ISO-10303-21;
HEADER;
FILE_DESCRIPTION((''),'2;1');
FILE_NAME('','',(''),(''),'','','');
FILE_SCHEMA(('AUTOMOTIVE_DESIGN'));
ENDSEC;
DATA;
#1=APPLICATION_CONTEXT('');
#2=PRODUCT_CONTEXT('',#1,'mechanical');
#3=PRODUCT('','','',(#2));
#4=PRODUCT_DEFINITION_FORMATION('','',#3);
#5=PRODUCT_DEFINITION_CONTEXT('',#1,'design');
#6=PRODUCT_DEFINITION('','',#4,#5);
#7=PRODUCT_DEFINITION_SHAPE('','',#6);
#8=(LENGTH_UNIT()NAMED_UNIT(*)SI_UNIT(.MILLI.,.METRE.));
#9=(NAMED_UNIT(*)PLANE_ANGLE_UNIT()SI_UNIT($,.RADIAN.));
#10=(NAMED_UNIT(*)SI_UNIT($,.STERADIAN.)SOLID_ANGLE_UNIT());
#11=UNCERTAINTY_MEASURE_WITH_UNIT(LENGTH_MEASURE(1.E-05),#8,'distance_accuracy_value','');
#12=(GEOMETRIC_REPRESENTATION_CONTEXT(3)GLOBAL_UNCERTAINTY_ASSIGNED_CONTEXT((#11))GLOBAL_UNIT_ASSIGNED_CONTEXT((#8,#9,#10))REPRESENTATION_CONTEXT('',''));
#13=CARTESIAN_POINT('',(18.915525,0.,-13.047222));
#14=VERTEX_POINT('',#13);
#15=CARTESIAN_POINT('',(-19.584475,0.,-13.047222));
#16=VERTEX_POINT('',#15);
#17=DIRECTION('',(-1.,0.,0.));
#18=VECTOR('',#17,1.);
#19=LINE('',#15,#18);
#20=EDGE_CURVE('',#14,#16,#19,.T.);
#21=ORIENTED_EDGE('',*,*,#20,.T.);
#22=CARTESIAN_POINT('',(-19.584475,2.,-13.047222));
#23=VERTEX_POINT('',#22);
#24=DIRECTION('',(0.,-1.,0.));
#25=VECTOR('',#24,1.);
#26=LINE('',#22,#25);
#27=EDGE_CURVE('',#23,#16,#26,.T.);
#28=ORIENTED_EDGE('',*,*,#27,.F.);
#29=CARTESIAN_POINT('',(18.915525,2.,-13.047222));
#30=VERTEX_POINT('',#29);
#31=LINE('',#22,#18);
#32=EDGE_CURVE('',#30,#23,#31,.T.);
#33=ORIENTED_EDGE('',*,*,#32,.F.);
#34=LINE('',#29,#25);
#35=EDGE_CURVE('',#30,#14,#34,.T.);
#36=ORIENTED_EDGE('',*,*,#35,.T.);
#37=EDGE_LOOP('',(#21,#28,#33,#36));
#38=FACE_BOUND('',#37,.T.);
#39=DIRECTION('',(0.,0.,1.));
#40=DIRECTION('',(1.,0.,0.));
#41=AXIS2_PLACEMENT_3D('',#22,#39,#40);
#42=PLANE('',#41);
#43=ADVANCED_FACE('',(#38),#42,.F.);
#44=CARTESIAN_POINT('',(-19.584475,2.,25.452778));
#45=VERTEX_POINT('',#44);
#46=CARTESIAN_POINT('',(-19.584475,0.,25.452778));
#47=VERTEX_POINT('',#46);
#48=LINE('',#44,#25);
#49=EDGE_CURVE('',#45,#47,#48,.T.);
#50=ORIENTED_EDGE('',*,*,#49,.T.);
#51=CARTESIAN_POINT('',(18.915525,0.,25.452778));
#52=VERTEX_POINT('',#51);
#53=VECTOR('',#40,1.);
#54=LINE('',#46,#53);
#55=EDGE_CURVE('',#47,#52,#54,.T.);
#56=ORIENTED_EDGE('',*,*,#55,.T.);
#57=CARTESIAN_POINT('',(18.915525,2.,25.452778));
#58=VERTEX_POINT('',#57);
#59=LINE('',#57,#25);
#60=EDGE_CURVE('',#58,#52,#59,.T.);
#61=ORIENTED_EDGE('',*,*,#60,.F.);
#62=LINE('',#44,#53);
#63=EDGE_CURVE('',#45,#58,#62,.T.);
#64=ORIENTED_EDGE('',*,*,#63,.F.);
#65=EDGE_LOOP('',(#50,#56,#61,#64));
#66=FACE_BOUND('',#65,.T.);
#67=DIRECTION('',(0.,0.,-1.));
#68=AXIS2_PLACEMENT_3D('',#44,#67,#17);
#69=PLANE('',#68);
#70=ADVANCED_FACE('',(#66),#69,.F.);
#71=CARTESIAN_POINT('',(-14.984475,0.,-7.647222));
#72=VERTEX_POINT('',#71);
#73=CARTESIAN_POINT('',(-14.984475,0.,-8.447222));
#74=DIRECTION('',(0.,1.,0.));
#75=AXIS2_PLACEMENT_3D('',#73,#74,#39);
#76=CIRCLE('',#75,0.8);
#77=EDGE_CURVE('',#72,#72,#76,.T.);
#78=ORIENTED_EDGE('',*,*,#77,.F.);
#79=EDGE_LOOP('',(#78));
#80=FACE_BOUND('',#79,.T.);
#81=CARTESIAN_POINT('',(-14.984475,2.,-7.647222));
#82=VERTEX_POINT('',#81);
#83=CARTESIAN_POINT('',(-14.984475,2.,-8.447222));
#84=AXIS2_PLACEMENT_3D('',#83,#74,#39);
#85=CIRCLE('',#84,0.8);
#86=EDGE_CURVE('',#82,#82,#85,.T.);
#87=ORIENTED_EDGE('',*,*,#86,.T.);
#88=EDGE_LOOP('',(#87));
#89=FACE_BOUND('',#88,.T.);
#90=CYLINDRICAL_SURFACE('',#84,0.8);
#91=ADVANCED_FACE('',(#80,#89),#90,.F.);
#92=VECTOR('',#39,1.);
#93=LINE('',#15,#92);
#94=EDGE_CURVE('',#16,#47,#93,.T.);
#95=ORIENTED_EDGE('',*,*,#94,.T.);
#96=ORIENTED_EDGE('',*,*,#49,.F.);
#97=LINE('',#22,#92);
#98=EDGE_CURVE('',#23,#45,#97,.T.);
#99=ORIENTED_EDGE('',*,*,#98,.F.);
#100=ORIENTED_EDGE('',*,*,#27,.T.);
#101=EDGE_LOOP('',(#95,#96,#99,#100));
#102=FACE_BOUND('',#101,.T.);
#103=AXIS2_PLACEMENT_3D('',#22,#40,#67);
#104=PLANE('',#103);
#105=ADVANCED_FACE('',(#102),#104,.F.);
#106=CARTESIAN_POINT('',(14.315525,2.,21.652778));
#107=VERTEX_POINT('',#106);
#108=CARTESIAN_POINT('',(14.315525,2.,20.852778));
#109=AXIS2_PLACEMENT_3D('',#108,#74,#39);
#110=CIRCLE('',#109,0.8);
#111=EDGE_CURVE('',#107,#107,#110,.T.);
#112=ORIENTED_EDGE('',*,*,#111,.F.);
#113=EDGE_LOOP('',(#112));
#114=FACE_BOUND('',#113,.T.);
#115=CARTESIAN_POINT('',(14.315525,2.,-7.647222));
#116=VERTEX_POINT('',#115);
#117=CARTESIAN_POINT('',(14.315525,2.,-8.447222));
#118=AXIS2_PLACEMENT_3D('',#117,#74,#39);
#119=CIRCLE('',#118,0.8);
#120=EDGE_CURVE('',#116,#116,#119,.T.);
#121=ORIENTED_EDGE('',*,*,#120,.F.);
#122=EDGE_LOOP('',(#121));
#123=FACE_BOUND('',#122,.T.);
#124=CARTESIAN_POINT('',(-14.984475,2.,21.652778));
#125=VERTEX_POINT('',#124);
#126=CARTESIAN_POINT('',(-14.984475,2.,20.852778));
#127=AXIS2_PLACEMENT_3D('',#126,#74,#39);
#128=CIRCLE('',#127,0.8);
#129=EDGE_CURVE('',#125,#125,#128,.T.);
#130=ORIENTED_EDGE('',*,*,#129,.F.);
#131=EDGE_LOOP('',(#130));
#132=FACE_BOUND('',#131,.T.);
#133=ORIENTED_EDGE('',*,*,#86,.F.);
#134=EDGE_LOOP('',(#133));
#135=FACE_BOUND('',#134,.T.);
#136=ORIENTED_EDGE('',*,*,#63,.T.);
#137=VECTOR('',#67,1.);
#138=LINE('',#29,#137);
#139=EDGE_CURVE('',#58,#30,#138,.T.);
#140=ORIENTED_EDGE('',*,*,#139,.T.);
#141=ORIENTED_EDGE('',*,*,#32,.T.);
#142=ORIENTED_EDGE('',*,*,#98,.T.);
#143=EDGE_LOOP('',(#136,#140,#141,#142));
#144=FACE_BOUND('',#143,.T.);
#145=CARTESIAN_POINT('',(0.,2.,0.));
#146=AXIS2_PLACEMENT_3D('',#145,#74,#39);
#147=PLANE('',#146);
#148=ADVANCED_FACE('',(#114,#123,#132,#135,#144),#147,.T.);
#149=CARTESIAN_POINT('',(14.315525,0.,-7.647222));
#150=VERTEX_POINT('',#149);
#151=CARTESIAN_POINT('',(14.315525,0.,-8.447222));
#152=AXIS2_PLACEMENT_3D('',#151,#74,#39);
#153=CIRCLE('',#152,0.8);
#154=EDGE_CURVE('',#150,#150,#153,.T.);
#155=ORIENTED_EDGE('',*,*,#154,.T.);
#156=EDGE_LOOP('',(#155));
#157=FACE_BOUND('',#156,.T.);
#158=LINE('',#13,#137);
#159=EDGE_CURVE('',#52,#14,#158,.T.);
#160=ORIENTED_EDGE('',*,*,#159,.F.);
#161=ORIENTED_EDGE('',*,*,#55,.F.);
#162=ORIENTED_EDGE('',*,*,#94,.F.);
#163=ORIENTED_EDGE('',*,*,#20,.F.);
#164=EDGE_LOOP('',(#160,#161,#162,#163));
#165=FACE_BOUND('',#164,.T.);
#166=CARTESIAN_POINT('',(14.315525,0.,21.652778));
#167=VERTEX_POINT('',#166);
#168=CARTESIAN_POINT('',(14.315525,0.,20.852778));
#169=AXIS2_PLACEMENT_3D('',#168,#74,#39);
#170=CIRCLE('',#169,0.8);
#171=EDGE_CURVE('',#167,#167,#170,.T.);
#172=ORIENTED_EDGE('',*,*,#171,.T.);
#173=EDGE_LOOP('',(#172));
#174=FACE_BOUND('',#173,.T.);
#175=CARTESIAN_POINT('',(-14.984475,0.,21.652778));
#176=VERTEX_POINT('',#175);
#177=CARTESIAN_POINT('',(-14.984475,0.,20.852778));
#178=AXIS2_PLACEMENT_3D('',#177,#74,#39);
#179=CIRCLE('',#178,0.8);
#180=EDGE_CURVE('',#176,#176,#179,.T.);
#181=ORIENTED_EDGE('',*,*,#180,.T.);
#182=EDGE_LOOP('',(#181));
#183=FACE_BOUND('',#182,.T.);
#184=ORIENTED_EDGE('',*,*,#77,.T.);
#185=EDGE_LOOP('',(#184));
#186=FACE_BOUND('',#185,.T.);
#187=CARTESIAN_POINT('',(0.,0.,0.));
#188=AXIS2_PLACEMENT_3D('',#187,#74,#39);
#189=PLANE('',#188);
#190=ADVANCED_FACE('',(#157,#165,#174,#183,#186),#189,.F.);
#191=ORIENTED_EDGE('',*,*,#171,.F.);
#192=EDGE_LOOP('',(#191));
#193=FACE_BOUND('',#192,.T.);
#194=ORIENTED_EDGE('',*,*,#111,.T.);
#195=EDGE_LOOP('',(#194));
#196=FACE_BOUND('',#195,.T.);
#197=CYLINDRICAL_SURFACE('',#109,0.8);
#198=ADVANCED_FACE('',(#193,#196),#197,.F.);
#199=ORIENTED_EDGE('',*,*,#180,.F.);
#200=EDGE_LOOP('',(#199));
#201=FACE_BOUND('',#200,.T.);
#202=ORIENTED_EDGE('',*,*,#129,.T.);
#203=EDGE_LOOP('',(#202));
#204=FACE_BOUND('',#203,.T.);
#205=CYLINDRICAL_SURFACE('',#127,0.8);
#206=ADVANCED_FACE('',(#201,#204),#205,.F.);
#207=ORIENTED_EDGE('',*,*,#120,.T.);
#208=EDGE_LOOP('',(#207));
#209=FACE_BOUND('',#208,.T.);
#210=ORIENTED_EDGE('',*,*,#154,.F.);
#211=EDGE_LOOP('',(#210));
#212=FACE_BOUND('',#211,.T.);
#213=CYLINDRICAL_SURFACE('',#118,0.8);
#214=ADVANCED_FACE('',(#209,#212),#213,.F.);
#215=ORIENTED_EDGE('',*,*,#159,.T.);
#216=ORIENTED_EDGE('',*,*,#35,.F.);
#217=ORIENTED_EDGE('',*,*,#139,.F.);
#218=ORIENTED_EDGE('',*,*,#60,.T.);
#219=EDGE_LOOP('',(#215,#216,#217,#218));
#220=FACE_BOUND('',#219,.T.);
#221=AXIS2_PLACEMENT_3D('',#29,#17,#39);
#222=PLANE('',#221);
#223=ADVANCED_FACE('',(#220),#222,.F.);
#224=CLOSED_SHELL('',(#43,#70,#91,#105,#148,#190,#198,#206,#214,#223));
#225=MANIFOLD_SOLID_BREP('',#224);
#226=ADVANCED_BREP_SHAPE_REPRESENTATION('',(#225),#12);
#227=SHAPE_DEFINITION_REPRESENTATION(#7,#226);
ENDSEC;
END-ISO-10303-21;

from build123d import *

# Parameters (mm, degrees)
SKETCH1_W             = 38.5
SKETCH1_H             = 38.5
BOSS_EXTRUDE1_DEPTH   = 2
M2X0_4_TAPPED_HOLE1_D = 1.6


with BuildPart() as part:
    # Sketch1 → Boss-Extrude1 (new body)
    with BuildSketch(Plane(origin=(0, 0, 0), x_dir=(1, 0, 0), z_dir=(0, 1, 0))):
        with Locations((-0.334475449, -6.202777778)):
            Rectangle(SKETCH1_W, SKETCH1_H)
    extrude(amount=BOSS_EXTRUDE1_DEPTH)

    # M2x0.4 Tapped Hole1 (through all)
    with Locations(Plane(origin=(-14.984475449, 2, -8.447222222), x_dir=(0, 0, 1), z_dir=(0, 1, 0))):
        with Locations((0, 0), (29.3, 29.3), (0, 29.3), (29.3, 0)):
            Hole(M2X0_4_TAPPED_HOLE1_D / 2)


solid = part.part
